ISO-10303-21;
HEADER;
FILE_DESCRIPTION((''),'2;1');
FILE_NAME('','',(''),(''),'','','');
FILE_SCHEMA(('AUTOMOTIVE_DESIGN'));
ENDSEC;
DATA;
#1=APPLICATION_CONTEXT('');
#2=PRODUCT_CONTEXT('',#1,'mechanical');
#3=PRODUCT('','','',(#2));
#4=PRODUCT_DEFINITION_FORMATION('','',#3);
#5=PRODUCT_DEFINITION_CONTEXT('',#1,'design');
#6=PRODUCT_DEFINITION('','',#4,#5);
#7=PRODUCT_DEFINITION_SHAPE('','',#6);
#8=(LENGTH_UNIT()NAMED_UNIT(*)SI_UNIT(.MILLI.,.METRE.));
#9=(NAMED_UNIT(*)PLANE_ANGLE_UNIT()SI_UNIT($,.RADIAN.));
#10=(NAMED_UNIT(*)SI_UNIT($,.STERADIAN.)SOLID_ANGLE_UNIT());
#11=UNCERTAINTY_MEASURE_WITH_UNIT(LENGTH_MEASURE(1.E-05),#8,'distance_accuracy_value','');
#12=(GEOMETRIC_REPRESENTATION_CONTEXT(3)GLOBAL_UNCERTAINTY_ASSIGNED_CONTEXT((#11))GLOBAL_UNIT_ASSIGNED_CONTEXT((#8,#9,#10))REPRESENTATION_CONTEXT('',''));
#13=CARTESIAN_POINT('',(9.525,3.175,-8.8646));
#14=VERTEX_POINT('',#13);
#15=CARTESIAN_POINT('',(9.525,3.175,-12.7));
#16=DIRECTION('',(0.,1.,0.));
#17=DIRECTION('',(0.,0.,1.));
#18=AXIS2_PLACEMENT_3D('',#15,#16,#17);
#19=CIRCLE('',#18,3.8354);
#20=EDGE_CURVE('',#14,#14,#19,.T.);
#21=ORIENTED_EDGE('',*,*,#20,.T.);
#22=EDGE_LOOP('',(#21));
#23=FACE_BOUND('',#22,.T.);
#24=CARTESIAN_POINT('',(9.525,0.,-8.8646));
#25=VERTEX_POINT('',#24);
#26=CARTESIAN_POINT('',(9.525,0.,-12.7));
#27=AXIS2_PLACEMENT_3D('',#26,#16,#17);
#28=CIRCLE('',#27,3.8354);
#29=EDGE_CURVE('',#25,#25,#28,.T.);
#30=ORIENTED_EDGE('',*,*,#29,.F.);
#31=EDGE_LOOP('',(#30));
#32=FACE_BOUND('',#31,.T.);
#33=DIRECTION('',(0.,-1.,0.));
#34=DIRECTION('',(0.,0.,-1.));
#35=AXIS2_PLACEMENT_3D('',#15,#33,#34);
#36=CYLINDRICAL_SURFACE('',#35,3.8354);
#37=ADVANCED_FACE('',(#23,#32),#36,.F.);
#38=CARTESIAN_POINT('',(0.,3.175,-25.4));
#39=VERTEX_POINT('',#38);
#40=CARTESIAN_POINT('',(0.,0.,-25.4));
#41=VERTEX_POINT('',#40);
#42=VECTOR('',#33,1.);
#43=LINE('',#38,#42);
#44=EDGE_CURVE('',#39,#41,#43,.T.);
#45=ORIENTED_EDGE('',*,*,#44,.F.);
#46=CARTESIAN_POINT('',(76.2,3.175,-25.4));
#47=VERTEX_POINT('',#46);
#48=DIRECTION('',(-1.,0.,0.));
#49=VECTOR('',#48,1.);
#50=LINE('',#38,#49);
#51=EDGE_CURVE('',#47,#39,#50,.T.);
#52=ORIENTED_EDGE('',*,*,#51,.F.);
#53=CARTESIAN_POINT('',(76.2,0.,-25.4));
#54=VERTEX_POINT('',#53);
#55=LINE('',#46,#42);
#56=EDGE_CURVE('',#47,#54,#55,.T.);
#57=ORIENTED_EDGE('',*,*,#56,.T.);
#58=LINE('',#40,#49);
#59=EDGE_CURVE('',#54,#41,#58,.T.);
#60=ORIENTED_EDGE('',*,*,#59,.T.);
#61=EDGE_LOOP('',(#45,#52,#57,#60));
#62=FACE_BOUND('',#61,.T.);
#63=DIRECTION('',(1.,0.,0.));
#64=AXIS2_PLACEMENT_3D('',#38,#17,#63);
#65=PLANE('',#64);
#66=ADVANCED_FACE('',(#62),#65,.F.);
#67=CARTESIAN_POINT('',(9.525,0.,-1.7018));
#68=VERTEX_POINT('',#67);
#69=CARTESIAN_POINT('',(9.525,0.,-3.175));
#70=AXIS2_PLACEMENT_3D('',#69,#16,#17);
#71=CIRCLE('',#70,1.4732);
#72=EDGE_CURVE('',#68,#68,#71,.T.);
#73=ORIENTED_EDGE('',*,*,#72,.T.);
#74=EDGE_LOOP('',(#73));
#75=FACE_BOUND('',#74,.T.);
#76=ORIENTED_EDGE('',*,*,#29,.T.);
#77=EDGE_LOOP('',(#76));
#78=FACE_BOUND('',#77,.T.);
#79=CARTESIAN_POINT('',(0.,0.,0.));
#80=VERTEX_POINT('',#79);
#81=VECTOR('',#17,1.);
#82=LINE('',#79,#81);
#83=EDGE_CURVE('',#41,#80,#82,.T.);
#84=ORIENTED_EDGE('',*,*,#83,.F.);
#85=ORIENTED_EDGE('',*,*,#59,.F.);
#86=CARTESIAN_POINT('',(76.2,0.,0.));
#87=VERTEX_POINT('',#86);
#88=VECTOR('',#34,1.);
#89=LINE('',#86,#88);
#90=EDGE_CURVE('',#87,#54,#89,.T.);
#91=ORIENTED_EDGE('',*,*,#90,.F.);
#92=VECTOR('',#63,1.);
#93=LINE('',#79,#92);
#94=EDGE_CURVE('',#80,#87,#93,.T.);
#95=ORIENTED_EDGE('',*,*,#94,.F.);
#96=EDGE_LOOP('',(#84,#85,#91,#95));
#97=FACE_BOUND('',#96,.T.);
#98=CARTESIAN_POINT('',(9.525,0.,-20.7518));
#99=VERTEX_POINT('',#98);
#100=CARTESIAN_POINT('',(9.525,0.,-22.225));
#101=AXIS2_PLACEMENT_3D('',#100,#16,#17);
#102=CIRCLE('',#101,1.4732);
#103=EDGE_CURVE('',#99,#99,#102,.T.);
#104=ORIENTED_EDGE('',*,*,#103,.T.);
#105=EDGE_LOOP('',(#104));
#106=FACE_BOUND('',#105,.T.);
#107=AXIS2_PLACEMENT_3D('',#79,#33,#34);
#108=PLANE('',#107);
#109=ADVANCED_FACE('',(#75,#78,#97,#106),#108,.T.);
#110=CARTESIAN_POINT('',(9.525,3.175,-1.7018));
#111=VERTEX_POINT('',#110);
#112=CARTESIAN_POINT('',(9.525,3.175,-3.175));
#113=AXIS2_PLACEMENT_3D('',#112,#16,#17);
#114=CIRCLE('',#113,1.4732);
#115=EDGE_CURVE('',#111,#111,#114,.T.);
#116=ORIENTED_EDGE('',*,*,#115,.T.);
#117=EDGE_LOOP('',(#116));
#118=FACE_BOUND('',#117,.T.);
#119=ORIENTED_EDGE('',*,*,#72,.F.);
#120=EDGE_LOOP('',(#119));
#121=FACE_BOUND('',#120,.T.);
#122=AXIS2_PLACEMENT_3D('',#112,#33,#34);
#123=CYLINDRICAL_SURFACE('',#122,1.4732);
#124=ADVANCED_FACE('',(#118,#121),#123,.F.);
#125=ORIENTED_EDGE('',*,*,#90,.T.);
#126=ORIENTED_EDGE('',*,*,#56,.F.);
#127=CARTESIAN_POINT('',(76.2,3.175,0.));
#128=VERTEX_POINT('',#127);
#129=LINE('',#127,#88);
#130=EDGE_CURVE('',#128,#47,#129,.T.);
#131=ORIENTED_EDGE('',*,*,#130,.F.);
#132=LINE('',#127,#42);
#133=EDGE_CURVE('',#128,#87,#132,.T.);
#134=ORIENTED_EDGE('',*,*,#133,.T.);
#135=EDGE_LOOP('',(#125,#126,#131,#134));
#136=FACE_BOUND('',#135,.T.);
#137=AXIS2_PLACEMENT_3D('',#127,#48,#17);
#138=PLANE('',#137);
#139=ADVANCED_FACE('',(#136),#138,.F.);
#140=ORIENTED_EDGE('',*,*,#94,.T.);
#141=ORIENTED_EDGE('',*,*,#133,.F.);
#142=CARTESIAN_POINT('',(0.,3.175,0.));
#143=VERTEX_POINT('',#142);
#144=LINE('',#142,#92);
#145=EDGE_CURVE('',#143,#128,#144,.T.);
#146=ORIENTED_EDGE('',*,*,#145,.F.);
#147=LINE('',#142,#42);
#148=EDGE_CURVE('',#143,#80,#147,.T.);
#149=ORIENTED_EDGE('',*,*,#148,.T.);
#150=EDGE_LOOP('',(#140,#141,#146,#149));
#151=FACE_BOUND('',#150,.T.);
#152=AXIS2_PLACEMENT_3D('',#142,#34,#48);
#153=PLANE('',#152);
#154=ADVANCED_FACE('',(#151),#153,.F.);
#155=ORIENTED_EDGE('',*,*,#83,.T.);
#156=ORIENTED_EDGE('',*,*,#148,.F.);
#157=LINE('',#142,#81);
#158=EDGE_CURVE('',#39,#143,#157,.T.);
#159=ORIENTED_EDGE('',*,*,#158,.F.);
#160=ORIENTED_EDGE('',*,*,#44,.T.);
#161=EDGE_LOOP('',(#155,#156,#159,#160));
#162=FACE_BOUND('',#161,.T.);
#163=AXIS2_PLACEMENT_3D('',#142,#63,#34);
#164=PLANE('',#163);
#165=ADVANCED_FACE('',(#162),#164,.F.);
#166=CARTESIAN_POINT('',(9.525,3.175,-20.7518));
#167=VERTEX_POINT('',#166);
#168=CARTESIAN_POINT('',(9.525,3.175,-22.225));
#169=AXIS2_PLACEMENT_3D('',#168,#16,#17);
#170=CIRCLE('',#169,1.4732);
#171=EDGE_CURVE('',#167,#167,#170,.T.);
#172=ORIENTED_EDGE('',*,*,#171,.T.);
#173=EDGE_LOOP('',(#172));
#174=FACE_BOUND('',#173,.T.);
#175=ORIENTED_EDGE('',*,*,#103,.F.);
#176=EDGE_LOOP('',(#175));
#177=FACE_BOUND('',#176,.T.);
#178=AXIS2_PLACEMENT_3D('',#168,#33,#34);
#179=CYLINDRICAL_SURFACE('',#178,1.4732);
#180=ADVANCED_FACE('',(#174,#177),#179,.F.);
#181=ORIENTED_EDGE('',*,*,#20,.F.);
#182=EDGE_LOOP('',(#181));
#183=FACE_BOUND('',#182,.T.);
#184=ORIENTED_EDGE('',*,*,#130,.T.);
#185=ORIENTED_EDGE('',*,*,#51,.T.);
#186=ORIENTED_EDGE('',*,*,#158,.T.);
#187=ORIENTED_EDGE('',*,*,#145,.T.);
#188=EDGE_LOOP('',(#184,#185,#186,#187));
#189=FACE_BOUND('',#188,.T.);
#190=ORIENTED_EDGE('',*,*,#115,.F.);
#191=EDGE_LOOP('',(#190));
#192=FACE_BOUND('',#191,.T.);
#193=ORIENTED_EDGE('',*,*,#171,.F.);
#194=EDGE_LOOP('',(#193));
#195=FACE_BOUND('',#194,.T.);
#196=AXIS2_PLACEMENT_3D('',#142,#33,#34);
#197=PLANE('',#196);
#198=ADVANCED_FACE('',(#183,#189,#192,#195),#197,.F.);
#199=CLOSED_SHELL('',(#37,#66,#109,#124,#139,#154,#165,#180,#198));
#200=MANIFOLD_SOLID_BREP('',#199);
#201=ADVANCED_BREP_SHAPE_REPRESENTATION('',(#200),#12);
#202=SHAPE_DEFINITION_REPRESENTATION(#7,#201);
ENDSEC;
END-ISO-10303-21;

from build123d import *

# Parameters (mm, degrees)
SKETCH1_W           = 76.2
SKETCH1_H           = 25.4
SKETCH1_R           = 1.4732
SKETCH1_R_2         = 3.8354
BOSS_EXTRUDE1_DEPTH = 3.175


with BuildPart() as part:
    # Sketch1 → Boss-Extrude1 (new body)
    with BuildSketch(Plane(origin=(0, 0, 0), x_dir=(1, 0, 0), z_dir=(0, 1, 0))):
        with Locations((38.1, 12.7)):
            Rectangle(SKETCH1_W, SKETCH1_H)
        with Locations(Location((9.525, 22.225, 0), (0, 0, 270))):
            Circle(SKETCH1_R, mode=Mode.SUBTRACT)
        with Locations(Location((9.525, 3.175, 0), (0, 0, 270))):
            Circle(SKETCH1_R, mode=Mode.SUBTRACT)
        with Locations(Location((9.525, 12.7, 0), (0, 0, 270))):
            Circle(SKETCH1_R_2, mode=Mode.SUBTRACT)
    extrude(amount=BOSS_EXTRUDE1_DEPTH)


solid = part.part
